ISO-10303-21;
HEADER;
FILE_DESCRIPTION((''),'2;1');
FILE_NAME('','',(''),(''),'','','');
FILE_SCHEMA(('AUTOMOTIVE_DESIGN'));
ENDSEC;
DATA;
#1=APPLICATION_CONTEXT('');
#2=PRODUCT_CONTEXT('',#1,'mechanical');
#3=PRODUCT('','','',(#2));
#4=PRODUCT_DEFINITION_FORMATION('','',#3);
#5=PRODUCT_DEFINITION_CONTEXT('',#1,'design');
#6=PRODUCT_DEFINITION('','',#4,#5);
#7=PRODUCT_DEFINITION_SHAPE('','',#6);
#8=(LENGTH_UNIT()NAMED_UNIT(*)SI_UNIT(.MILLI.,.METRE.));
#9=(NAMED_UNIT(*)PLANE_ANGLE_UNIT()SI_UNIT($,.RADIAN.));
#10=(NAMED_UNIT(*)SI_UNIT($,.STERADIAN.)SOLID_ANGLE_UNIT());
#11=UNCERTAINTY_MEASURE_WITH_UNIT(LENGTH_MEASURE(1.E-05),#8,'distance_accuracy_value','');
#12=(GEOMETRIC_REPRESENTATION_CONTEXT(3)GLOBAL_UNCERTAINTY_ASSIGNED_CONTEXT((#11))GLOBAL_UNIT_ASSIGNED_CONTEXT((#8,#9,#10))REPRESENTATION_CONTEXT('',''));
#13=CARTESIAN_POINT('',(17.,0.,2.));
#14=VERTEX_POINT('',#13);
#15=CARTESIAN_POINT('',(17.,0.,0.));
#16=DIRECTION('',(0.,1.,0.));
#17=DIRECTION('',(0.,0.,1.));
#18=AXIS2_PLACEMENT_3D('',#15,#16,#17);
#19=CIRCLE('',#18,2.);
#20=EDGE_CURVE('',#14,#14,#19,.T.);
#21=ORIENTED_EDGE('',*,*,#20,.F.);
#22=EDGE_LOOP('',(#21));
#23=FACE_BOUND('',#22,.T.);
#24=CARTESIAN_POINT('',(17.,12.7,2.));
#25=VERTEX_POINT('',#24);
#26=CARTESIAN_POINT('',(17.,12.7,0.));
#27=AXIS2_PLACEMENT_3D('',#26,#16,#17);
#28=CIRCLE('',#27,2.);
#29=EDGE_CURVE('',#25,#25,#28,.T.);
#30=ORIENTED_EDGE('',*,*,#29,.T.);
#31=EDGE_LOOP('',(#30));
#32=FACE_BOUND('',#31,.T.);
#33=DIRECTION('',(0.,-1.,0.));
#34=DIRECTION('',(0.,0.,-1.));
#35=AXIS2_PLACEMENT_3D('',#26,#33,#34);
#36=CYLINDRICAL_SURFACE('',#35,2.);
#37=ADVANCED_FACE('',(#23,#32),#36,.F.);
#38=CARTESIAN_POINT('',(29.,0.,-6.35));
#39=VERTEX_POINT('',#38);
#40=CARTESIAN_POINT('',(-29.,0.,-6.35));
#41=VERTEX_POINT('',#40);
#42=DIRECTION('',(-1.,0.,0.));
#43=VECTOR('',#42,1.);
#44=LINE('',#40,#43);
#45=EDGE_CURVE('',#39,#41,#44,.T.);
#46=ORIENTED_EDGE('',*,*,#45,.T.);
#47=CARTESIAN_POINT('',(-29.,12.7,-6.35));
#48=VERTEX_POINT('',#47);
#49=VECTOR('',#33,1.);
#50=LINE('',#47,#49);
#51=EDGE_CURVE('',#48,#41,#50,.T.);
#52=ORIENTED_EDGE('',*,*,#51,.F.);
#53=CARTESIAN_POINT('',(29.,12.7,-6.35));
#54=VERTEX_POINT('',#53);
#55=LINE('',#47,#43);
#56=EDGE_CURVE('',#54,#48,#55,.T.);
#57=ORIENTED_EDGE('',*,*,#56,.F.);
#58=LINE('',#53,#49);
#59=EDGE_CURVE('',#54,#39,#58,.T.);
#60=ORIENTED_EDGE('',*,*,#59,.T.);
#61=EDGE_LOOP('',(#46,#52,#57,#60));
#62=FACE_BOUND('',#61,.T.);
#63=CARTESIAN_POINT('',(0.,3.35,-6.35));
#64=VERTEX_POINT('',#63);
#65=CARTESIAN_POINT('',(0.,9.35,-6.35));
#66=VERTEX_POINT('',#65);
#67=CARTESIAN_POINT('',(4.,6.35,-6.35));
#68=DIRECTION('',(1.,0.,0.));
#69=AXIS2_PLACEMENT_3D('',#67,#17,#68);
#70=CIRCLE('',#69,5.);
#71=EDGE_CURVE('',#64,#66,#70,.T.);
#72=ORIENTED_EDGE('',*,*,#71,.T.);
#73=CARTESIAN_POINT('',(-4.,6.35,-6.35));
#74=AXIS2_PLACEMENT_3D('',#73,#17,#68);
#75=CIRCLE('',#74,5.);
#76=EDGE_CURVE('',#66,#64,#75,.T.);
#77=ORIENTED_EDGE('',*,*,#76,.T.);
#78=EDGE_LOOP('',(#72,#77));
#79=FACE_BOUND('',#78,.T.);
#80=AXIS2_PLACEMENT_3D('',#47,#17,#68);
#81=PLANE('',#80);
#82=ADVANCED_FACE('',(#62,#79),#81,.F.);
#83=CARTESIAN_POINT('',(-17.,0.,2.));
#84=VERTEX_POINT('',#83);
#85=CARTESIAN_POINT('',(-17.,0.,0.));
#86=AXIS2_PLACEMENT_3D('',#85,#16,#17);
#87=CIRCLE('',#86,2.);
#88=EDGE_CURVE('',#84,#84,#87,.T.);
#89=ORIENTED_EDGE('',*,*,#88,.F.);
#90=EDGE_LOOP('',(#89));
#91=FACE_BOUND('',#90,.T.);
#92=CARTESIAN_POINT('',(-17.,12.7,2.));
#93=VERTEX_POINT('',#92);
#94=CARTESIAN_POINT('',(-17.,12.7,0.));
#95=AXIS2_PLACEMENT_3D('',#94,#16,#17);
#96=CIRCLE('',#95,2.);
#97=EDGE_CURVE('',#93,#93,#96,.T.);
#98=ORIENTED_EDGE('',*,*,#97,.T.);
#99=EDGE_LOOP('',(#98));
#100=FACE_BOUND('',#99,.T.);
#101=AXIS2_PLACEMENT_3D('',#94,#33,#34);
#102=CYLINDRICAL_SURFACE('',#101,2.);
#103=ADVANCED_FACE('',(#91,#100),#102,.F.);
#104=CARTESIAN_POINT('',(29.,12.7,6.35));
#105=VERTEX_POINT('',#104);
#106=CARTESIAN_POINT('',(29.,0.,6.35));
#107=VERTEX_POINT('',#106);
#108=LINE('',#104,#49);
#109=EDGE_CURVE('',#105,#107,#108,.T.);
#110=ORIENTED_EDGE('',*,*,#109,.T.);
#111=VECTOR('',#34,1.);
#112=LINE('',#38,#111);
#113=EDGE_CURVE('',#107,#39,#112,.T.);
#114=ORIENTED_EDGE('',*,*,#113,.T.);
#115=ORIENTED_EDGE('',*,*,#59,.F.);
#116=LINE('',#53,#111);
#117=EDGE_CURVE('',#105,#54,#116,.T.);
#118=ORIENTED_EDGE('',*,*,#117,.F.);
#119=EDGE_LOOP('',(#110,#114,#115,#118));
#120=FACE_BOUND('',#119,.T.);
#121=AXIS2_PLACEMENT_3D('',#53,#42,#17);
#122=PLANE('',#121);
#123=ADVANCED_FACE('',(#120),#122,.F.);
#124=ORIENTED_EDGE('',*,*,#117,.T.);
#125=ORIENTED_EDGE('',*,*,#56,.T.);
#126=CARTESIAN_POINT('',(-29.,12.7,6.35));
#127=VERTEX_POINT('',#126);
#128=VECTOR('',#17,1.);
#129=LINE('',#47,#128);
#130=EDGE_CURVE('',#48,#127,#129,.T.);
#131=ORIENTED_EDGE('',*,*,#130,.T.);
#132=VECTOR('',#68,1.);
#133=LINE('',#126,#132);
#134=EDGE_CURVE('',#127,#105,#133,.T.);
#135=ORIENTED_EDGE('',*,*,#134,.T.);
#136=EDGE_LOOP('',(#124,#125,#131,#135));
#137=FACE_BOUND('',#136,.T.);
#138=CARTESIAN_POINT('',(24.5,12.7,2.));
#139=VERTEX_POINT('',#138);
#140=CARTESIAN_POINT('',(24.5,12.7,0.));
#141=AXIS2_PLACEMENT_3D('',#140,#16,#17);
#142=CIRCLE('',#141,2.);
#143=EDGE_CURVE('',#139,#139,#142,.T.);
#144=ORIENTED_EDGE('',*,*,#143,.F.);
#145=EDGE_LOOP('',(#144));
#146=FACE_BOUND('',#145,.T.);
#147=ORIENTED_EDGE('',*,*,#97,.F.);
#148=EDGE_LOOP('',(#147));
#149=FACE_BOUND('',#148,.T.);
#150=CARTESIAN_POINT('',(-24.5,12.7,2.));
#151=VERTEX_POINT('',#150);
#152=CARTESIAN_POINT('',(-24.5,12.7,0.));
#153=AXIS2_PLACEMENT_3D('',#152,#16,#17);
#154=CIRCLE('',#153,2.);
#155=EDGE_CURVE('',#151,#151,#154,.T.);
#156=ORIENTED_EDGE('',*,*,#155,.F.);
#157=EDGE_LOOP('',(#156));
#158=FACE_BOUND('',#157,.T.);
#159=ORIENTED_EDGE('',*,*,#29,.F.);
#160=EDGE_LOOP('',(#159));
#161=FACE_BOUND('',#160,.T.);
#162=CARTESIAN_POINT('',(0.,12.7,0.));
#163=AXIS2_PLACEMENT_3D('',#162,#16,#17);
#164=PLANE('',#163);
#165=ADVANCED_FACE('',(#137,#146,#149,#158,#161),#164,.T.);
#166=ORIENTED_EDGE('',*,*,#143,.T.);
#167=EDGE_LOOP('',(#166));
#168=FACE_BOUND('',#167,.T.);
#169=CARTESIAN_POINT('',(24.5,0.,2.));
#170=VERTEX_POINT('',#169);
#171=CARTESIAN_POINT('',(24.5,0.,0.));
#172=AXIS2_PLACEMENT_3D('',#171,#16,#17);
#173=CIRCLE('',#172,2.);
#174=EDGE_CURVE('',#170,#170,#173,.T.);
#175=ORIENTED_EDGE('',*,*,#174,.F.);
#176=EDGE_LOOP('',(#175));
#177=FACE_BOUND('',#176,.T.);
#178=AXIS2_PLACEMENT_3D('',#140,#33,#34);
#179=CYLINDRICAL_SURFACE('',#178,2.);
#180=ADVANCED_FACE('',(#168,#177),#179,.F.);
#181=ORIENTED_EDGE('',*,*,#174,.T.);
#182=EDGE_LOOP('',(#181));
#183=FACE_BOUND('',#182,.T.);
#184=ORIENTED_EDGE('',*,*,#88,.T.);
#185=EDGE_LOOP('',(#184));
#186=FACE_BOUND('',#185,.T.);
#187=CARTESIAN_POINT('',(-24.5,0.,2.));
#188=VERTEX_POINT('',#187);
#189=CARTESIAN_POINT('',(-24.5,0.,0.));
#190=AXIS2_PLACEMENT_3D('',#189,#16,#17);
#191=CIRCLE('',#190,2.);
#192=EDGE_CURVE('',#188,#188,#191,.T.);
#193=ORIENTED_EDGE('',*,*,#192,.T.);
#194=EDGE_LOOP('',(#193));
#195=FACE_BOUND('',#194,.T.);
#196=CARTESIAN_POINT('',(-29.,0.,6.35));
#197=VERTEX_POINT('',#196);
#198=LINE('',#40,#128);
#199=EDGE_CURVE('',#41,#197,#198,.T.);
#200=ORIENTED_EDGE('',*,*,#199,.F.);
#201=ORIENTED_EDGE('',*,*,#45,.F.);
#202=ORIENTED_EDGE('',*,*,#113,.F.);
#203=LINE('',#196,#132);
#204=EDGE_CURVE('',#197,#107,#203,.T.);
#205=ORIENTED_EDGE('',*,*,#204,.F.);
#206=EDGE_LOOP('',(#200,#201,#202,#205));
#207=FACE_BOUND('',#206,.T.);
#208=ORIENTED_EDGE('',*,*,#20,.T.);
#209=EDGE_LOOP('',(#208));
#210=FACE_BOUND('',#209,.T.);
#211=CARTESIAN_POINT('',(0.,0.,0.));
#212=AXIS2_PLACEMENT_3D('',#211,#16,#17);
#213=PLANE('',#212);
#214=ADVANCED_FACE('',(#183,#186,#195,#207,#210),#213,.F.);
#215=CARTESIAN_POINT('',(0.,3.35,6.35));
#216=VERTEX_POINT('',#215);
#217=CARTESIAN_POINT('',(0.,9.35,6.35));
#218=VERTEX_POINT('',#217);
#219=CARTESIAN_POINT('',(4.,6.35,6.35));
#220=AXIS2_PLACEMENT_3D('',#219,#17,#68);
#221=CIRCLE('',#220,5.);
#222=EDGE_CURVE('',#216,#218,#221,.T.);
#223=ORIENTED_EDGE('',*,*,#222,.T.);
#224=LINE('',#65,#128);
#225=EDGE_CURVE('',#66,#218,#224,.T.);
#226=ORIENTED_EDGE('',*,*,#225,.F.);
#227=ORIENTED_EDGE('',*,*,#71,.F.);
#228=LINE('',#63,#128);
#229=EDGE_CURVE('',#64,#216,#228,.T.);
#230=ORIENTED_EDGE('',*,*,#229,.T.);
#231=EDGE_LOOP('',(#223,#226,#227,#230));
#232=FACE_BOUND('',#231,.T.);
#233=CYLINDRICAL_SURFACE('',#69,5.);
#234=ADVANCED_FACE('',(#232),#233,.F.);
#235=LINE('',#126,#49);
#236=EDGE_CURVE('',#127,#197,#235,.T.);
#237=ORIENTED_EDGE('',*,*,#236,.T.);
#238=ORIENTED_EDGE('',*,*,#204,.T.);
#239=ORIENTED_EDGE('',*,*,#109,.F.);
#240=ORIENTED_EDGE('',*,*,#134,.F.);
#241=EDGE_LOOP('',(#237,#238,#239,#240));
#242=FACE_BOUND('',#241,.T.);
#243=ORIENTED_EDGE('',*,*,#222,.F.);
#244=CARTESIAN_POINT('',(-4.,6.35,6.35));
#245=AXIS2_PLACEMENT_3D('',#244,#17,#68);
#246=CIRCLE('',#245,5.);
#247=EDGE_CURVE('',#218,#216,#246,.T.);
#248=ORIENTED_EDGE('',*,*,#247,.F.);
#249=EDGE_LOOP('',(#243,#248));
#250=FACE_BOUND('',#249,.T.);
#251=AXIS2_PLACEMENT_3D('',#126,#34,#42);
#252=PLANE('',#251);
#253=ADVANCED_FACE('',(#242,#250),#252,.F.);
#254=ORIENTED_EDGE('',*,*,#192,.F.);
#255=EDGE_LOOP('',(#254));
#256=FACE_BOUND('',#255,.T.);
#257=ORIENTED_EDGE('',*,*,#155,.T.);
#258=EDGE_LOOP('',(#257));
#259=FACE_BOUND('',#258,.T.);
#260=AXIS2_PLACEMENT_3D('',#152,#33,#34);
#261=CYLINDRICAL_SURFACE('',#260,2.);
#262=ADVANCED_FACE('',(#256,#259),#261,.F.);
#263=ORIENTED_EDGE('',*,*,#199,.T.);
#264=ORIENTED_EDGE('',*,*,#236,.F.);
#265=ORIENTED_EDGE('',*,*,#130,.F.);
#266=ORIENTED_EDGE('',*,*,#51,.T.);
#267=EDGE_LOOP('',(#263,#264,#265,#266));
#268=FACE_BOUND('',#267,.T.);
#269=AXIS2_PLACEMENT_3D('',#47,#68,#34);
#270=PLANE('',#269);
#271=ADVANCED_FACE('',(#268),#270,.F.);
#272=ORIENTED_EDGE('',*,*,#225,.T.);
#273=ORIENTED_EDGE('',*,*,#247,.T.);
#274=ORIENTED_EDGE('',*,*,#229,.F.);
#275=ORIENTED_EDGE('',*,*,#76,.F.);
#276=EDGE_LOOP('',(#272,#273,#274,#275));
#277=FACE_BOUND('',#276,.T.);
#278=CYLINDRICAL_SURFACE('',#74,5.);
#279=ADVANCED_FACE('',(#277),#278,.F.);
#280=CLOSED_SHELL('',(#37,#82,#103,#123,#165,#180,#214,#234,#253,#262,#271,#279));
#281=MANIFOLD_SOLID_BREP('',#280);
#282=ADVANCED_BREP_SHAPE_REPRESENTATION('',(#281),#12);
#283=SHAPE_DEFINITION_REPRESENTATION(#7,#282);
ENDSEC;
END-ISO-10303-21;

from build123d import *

# Parameters (mm, degrees)
SKIZZE1_W                       = 58
SKIZZE1_H                       = 12.7
SKIZZE1_R                       = 2
AUFSATZ_LINEAR_AUSTRAGEN1_DEPTH = 12.7
SKIZZE2_R                       = 5
SCHNITT_LINEAR_AUSTRAGEN1_DEPTH = 12.7


with BuildPart() as part:
    # Skizze1 → Aufsatz-Linear austragen1 (new body)
    with BuildSketch(Plane(origin=(0, 0, 0), x_dir=(1, 0, 0), z_dir=(0, 1, 0))):
        Rectangle(SKIZZE1_W, SKIZZE1_H)
        with Locations(Location((-24.5, 0, 0), (0, 0, 270))):
            Circle(SKIZZE1_R, mode=Mode.SUBTRACT)
        with Locations(Location((-17, 0, 0), (0, 0, 270))):
            Circle(SKIZZE1_R, mode=Mode.SUBTRACT)
        with Locations(Location((24.5, 0, 0), (0, 0, 270))):
            Circle(SKIZZE1_R, mode=Mode.SUBTRACT)
        with Locations(Location((17, 0, 0), (0, 0, 270))):
            Circle(SKIZZE1_R, mode=Mode.SUBTRACT)
    extrude(amount=AUFSATZ_LINEAR_AUSTRAGEN1_DEPTH)

    # Skizze2 → Schnitt-Linear austragen1 (cut)
    with BuildSketch(Plane.XY.offset(6.35)):
        with Locations((-4, 6.35)):
            Circle(SKIZZE2_R)
        with Locations((4, 6.35)):
            Circle(SKIZZE2_R)
    extrude(amount=-SCHNITT_LINEAR_AUSTRAGEN1_DEPTH, mode=Mode.SUBTRACT)


solid = part.part
